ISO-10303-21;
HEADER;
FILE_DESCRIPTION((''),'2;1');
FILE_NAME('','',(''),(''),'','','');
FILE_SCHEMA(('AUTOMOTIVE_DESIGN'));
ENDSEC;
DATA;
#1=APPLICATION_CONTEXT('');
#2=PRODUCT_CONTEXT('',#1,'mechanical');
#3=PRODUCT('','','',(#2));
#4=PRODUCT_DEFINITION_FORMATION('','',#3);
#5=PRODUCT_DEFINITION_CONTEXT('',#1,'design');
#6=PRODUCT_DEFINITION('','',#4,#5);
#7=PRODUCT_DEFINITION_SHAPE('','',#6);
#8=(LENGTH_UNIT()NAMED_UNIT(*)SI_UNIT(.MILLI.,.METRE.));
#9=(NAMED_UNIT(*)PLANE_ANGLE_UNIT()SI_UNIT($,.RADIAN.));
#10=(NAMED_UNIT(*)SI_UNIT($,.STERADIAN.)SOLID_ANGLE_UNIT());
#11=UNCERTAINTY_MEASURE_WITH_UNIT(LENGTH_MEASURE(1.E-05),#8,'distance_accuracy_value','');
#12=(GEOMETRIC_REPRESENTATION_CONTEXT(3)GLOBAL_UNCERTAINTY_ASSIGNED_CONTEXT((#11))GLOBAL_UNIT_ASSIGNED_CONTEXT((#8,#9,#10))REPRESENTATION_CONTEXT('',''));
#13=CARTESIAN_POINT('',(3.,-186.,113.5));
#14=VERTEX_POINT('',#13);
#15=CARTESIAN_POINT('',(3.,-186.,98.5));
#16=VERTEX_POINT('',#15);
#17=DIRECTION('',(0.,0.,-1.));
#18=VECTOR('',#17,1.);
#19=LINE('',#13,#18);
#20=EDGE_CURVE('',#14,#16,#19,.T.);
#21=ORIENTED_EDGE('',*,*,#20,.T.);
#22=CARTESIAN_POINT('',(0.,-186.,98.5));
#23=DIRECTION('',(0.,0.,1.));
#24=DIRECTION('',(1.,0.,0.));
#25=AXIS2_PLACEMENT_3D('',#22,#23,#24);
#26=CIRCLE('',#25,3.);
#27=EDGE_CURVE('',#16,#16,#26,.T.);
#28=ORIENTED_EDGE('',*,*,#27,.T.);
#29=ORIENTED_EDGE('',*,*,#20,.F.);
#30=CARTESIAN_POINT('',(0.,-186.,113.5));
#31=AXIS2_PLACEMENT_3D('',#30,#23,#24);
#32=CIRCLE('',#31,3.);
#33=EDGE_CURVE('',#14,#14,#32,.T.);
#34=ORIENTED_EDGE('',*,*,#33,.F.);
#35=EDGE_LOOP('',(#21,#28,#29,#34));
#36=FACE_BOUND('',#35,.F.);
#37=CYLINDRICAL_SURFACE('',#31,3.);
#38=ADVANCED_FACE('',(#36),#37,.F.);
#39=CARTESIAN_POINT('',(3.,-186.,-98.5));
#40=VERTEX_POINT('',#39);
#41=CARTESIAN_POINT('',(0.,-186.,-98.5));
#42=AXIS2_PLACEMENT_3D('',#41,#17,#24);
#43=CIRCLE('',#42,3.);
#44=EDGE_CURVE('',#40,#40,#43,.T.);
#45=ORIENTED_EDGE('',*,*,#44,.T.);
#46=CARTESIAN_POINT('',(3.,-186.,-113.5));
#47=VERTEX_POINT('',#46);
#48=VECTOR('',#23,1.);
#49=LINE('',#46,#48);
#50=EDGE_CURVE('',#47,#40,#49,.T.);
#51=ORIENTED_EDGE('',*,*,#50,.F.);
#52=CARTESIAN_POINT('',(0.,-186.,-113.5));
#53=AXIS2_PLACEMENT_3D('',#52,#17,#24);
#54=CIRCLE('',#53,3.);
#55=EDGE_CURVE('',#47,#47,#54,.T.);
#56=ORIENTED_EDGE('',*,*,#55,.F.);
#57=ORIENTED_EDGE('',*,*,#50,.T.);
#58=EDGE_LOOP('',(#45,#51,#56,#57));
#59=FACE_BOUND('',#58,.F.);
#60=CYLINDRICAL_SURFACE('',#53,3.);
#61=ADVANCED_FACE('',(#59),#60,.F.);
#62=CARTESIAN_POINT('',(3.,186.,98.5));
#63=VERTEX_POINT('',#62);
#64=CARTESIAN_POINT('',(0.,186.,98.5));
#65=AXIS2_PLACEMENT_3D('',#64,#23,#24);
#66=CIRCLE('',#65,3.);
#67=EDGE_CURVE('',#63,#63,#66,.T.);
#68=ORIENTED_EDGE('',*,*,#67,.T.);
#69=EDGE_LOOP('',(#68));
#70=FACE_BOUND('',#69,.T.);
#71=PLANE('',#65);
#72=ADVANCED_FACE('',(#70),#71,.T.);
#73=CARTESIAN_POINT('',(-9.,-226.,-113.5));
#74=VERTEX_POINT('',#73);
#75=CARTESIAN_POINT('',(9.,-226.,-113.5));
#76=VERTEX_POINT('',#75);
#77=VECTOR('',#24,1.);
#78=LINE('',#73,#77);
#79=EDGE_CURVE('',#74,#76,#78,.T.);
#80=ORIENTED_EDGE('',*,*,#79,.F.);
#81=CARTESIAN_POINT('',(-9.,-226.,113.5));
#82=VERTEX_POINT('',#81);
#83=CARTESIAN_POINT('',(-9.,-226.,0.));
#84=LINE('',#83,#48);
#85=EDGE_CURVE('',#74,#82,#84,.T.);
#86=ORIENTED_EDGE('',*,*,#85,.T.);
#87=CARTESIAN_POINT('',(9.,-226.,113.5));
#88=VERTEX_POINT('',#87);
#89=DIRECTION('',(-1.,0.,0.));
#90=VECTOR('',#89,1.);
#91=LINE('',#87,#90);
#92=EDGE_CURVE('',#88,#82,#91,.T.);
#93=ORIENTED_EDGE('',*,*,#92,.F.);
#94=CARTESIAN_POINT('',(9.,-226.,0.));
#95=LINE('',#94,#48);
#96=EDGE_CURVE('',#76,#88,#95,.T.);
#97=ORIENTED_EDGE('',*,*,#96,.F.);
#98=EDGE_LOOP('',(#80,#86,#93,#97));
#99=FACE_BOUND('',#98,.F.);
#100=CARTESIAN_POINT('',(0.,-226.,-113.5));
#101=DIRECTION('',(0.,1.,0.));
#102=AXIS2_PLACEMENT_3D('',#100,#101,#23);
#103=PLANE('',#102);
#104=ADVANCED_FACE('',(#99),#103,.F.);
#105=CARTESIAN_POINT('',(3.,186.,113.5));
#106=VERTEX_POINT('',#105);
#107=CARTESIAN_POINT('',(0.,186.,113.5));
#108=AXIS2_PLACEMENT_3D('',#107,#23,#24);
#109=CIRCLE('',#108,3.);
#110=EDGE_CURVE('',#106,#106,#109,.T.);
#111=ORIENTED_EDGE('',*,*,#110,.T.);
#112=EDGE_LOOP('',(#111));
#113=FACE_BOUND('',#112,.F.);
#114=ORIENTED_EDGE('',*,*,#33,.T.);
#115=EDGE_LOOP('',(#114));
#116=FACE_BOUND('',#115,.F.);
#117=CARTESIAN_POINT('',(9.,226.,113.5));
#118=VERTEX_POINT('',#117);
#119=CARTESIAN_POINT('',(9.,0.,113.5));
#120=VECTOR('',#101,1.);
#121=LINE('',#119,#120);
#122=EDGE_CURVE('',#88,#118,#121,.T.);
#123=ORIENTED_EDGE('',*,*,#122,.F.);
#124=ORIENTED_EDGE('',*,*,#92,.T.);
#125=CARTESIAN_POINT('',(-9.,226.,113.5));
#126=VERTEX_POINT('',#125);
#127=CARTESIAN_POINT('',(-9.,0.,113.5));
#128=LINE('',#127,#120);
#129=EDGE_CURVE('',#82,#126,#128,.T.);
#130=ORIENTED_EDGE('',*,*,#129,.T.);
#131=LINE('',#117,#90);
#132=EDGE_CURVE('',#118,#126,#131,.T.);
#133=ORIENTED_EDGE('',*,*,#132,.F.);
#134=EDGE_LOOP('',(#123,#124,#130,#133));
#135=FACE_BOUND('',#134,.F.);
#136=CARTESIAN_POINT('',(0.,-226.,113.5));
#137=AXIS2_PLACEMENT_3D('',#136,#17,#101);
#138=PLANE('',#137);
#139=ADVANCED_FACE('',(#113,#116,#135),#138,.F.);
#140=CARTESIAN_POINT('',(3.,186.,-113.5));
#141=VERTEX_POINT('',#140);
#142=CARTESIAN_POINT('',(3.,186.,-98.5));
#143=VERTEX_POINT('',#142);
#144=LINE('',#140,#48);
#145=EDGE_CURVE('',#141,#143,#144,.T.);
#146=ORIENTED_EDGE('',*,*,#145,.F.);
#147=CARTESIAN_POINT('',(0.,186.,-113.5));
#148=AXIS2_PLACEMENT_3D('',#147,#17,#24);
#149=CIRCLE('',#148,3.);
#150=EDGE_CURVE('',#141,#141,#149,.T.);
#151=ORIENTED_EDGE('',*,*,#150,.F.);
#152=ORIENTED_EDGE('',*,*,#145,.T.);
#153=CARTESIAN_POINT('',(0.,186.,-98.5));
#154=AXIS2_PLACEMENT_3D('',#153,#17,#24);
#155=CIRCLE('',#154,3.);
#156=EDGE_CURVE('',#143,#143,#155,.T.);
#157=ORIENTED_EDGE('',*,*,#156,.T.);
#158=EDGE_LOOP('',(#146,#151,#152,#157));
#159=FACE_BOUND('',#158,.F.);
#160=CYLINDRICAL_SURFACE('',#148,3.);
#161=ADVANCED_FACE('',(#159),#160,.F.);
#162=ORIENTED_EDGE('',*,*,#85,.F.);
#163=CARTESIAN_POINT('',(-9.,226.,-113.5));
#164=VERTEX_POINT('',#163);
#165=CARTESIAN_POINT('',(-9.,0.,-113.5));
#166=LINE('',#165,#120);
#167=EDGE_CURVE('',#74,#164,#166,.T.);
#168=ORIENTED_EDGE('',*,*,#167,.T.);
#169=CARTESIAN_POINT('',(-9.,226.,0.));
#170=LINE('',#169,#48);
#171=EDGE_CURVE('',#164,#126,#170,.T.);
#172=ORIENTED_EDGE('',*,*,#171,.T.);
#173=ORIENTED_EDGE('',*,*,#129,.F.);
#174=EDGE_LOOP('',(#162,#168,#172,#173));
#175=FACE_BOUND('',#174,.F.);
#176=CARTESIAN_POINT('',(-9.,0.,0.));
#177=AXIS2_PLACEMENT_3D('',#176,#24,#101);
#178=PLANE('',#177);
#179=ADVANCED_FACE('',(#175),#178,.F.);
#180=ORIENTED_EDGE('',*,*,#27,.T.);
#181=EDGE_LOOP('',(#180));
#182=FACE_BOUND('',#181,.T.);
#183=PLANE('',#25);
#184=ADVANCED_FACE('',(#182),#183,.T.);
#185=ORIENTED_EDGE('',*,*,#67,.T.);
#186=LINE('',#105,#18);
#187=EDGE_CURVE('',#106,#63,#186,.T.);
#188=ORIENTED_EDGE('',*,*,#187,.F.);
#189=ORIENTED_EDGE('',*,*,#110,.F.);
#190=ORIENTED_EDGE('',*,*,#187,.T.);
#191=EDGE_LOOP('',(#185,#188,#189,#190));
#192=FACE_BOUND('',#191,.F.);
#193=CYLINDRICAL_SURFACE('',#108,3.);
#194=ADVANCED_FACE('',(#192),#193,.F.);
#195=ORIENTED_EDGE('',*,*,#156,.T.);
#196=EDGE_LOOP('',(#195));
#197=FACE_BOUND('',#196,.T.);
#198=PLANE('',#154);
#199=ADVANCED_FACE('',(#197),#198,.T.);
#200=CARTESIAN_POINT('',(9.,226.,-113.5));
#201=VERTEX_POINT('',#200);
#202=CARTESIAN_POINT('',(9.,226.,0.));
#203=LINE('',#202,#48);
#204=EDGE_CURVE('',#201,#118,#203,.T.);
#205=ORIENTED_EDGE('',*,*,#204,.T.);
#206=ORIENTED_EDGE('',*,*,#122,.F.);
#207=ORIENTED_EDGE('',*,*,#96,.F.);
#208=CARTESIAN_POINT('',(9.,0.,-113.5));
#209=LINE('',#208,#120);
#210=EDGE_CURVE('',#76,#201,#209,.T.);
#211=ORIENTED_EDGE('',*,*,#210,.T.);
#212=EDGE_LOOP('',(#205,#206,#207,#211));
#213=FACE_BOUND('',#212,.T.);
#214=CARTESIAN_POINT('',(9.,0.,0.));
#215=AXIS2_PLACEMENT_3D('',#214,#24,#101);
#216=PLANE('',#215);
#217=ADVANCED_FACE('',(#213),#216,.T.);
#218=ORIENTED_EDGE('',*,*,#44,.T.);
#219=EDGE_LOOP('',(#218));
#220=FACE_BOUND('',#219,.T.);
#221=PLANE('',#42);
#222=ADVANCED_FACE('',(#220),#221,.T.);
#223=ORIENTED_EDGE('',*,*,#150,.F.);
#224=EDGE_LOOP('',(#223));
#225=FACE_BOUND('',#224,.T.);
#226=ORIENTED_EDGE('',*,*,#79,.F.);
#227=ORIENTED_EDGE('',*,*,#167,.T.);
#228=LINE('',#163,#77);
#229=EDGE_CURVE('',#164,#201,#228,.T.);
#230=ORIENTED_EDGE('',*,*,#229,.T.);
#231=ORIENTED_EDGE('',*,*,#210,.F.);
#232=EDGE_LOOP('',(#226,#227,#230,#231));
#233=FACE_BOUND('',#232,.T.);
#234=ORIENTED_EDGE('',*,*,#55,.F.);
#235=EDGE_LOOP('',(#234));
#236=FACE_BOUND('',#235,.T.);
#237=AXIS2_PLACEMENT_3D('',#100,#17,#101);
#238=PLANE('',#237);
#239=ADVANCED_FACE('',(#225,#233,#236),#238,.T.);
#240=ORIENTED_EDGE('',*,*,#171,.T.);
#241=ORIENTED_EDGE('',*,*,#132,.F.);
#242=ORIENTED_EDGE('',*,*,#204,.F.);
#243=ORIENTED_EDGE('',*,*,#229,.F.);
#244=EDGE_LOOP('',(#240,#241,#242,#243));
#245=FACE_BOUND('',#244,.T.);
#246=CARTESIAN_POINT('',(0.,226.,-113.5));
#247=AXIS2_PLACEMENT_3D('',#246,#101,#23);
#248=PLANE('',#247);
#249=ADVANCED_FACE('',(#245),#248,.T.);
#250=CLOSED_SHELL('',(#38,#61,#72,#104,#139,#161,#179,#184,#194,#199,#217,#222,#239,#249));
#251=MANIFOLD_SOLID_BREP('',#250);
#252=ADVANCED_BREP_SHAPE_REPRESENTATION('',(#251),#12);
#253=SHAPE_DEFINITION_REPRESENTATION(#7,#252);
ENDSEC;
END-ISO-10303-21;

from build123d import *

# Parameters (mm, degrees)
F0_W     = 452
F0_H     = 227
F1_DEPTH = 9
F2_R     = 3
F3_DEPTH = 15
F4_R     = 3
F5_DEPTH = 15


with BuildPart() as f1:
    # F0 (on Right) → F1 (new body, symmetric)
    with BuildSketch(Plane.YZ):
        Rectangle(F0_W, F0_H)
    extrude(amount=F1_DEPTH, both=True)

    # F2 (on face) → F3 (cut)
    with BuildSketch(Plane.XY.offset(113.5)):
        with Locations((0, -186)):
            Circle(F2_R)
        with Locations((0, 186)):
            Circle(F2_R)
    extrude(amount=-F3_DEPTH, mode=Mode.SUBTRACT)

    # F4 (on face) → F5 (cut)
    with BuildSketch(Plane(origin=(0, 0, -113.5), x_dir=(1, 0, 0), z_dir=(0, 0, -1))):
        with Locations((0, 186)):
            Circle(F4_R)
        with Locations((0, -186)):
            Circle(F4_R)
    extrude(amount=-F5_DEPTH, mode=Mode.SUBTRACT)


solid = f1.part
